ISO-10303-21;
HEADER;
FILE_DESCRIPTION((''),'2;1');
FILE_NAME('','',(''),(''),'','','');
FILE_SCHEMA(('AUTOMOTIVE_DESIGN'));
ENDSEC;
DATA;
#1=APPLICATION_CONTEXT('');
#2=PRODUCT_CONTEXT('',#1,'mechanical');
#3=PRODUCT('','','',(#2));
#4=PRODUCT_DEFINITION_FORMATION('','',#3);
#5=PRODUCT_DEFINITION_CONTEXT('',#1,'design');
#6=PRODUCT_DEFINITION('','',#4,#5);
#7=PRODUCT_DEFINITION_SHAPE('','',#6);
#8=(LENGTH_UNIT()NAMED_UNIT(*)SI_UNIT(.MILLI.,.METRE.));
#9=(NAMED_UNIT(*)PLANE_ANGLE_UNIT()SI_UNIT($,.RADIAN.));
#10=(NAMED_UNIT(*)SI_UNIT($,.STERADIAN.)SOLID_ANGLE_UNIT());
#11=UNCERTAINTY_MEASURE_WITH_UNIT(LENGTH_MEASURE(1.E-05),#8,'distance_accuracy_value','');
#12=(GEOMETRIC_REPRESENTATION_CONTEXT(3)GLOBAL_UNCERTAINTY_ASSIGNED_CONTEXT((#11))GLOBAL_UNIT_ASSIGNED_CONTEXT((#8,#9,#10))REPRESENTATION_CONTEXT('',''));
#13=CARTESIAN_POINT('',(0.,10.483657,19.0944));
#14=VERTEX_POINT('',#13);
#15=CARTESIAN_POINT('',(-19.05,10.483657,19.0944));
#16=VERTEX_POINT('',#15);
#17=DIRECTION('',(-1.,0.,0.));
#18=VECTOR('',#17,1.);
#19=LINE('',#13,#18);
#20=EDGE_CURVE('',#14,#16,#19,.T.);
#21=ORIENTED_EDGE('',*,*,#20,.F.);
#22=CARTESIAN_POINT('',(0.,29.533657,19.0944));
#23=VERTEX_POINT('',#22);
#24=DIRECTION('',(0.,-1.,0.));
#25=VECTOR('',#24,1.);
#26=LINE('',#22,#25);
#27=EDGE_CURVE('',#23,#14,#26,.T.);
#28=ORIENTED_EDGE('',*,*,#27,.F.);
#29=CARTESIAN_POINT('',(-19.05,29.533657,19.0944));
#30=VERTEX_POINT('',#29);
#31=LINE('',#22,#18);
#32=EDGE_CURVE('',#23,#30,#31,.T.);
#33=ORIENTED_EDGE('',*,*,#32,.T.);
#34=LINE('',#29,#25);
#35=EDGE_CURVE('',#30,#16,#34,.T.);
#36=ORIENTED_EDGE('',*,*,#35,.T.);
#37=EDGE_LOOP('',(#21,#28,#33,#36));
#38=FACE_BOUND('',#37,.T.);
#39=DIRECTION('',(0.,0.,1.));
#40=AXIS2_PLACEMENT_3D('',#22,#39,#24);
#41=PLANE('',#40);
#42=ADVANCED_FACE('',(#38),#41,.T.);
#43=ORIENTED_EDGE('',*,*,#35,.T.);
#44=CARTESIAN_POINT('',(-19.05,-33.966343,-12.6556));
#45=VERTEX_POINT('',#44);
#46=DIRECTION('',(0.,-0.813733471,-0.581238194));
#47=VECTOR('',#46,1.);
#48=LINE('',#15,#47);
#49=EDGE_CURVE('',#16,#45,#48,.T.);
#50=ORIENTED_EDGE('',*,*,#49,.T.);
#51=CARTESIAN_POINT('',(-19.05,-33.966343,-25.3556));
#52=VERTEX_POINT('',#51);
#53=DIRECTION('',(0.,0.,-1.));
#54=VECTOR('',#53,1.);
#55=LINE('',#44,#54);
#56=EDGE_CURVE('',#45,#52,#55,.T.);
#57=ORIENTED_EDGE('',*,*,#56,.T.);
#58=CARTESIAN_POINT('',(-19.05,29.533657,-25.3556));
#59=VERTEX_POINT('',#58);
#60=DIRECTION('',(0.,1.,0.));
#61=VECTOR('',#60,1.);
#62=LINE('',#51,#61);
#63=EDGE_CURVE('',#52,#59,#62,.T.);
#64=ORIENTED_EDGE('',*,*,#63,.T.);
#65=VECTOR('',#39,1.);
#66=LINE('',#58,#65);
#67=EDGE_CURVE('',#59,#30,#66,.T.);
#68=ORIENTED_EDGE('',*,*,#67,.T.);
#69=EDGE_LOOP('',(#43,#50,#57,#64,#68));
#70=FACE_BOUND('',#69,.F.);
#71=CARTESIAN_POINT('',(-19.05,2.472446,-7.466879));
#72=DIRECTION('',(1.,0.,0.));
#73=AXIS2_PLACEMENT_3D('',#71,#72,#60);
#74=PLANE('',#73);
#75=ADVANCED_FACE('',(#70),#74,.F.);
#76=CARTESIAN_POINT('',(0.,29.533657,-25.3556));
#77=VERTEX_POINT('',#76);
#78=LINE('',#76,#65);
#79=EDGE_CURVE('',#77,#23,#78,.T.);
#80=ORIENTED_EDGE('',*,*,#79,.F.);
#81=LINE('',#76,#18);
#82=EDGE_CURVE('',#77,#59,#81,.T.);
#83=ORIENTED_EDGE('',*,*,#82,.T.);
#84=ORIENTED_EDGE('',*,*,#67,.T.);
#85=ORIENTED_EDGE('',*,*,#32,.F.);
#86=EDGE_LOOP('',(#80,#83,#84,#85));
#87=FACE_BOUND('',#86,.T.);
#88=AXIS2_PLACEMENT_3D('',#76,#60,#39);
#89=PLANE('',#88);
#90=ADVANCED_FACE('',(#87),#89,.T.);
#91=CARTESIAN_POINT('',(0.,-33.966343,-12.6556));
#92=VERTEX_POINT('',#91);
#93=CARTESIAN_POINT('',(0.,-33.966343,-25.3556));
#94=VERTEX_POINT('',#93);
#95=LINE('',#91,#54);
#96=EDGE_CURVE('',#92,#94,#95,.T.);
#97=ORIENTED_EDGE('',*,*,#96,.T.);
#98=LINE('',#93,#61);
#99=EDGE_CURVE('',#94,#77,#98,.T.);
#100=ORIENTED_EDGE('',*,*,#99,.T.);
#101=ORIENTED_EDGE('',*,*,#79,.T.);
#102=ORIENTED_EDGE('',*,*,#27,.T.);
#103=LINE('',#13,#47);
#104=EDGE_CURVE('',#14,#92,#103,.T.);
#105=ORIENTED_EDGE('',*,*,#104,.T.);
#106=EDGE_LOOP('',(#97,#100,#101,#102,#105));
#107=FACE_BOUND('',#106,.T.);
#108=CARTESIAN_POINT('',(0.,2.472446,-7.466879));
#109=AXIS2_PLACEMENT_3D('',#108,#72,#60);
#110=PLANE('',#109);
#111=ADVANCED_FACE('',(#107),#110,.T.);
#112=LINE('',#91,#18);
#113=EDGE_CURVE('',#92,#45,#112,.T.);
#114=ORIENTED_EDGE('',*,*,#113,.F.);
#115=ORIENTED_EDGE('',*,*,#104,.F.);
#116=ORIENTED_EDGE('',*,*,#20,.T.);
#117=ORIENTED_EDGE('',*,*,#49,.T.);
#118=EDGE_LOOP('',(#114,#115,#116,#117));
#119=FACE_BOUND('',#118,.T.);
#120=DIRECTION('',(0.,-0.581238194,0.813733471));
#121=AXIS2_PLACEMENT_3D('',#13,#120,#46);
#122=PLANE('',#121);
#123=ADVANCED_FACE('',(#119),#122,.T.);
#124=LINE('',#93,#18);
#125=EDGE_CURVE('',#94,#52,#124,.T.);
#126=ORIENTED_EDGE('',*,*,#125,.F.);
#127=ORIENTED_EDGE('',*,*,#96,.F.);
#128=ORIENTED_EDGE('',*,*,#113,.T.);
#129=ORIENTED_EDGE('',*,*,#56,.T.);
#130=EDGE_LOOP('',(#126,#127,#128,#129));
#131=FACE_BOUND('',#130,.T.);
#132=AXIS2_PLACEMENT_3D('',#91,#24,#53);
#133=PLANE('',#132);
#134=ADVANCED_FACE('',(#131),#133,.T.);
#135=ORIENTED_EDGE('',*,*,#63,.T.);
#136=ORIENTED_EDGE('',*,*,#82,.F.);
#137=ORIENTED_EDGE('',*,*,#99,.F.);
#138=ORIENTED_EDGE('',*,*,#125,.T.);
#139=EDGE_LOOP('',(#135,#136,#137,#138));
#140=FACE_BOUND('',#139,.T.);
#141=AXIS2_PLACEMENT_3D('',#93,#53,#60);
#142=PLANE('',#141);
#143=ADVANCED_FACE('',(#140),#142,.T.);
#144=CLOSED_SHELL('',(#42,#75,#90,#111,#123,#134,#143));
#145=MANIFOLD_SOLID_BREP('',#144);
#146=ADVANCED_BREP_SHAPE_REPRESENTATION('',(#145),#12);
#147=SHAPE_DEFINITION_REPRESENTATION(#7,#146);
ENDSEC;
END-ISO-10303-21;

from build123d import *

# Parameters (mm, degrees)
F1_DEPTH = 19.05


with BuildPart() as f1:
    # F0 (on Right) → F1 (new body)
    with BuildSketch(Plane.YZ):
        Polygon((-33.966343, -12.6556), (-33.966343, -25.3556), (29.533657, -25.3556), (29.533657, 19.0944), (10.483657, 19.0944), align=None)
    extrude(amount=-F1_DEPTH)


solid = f1.part
